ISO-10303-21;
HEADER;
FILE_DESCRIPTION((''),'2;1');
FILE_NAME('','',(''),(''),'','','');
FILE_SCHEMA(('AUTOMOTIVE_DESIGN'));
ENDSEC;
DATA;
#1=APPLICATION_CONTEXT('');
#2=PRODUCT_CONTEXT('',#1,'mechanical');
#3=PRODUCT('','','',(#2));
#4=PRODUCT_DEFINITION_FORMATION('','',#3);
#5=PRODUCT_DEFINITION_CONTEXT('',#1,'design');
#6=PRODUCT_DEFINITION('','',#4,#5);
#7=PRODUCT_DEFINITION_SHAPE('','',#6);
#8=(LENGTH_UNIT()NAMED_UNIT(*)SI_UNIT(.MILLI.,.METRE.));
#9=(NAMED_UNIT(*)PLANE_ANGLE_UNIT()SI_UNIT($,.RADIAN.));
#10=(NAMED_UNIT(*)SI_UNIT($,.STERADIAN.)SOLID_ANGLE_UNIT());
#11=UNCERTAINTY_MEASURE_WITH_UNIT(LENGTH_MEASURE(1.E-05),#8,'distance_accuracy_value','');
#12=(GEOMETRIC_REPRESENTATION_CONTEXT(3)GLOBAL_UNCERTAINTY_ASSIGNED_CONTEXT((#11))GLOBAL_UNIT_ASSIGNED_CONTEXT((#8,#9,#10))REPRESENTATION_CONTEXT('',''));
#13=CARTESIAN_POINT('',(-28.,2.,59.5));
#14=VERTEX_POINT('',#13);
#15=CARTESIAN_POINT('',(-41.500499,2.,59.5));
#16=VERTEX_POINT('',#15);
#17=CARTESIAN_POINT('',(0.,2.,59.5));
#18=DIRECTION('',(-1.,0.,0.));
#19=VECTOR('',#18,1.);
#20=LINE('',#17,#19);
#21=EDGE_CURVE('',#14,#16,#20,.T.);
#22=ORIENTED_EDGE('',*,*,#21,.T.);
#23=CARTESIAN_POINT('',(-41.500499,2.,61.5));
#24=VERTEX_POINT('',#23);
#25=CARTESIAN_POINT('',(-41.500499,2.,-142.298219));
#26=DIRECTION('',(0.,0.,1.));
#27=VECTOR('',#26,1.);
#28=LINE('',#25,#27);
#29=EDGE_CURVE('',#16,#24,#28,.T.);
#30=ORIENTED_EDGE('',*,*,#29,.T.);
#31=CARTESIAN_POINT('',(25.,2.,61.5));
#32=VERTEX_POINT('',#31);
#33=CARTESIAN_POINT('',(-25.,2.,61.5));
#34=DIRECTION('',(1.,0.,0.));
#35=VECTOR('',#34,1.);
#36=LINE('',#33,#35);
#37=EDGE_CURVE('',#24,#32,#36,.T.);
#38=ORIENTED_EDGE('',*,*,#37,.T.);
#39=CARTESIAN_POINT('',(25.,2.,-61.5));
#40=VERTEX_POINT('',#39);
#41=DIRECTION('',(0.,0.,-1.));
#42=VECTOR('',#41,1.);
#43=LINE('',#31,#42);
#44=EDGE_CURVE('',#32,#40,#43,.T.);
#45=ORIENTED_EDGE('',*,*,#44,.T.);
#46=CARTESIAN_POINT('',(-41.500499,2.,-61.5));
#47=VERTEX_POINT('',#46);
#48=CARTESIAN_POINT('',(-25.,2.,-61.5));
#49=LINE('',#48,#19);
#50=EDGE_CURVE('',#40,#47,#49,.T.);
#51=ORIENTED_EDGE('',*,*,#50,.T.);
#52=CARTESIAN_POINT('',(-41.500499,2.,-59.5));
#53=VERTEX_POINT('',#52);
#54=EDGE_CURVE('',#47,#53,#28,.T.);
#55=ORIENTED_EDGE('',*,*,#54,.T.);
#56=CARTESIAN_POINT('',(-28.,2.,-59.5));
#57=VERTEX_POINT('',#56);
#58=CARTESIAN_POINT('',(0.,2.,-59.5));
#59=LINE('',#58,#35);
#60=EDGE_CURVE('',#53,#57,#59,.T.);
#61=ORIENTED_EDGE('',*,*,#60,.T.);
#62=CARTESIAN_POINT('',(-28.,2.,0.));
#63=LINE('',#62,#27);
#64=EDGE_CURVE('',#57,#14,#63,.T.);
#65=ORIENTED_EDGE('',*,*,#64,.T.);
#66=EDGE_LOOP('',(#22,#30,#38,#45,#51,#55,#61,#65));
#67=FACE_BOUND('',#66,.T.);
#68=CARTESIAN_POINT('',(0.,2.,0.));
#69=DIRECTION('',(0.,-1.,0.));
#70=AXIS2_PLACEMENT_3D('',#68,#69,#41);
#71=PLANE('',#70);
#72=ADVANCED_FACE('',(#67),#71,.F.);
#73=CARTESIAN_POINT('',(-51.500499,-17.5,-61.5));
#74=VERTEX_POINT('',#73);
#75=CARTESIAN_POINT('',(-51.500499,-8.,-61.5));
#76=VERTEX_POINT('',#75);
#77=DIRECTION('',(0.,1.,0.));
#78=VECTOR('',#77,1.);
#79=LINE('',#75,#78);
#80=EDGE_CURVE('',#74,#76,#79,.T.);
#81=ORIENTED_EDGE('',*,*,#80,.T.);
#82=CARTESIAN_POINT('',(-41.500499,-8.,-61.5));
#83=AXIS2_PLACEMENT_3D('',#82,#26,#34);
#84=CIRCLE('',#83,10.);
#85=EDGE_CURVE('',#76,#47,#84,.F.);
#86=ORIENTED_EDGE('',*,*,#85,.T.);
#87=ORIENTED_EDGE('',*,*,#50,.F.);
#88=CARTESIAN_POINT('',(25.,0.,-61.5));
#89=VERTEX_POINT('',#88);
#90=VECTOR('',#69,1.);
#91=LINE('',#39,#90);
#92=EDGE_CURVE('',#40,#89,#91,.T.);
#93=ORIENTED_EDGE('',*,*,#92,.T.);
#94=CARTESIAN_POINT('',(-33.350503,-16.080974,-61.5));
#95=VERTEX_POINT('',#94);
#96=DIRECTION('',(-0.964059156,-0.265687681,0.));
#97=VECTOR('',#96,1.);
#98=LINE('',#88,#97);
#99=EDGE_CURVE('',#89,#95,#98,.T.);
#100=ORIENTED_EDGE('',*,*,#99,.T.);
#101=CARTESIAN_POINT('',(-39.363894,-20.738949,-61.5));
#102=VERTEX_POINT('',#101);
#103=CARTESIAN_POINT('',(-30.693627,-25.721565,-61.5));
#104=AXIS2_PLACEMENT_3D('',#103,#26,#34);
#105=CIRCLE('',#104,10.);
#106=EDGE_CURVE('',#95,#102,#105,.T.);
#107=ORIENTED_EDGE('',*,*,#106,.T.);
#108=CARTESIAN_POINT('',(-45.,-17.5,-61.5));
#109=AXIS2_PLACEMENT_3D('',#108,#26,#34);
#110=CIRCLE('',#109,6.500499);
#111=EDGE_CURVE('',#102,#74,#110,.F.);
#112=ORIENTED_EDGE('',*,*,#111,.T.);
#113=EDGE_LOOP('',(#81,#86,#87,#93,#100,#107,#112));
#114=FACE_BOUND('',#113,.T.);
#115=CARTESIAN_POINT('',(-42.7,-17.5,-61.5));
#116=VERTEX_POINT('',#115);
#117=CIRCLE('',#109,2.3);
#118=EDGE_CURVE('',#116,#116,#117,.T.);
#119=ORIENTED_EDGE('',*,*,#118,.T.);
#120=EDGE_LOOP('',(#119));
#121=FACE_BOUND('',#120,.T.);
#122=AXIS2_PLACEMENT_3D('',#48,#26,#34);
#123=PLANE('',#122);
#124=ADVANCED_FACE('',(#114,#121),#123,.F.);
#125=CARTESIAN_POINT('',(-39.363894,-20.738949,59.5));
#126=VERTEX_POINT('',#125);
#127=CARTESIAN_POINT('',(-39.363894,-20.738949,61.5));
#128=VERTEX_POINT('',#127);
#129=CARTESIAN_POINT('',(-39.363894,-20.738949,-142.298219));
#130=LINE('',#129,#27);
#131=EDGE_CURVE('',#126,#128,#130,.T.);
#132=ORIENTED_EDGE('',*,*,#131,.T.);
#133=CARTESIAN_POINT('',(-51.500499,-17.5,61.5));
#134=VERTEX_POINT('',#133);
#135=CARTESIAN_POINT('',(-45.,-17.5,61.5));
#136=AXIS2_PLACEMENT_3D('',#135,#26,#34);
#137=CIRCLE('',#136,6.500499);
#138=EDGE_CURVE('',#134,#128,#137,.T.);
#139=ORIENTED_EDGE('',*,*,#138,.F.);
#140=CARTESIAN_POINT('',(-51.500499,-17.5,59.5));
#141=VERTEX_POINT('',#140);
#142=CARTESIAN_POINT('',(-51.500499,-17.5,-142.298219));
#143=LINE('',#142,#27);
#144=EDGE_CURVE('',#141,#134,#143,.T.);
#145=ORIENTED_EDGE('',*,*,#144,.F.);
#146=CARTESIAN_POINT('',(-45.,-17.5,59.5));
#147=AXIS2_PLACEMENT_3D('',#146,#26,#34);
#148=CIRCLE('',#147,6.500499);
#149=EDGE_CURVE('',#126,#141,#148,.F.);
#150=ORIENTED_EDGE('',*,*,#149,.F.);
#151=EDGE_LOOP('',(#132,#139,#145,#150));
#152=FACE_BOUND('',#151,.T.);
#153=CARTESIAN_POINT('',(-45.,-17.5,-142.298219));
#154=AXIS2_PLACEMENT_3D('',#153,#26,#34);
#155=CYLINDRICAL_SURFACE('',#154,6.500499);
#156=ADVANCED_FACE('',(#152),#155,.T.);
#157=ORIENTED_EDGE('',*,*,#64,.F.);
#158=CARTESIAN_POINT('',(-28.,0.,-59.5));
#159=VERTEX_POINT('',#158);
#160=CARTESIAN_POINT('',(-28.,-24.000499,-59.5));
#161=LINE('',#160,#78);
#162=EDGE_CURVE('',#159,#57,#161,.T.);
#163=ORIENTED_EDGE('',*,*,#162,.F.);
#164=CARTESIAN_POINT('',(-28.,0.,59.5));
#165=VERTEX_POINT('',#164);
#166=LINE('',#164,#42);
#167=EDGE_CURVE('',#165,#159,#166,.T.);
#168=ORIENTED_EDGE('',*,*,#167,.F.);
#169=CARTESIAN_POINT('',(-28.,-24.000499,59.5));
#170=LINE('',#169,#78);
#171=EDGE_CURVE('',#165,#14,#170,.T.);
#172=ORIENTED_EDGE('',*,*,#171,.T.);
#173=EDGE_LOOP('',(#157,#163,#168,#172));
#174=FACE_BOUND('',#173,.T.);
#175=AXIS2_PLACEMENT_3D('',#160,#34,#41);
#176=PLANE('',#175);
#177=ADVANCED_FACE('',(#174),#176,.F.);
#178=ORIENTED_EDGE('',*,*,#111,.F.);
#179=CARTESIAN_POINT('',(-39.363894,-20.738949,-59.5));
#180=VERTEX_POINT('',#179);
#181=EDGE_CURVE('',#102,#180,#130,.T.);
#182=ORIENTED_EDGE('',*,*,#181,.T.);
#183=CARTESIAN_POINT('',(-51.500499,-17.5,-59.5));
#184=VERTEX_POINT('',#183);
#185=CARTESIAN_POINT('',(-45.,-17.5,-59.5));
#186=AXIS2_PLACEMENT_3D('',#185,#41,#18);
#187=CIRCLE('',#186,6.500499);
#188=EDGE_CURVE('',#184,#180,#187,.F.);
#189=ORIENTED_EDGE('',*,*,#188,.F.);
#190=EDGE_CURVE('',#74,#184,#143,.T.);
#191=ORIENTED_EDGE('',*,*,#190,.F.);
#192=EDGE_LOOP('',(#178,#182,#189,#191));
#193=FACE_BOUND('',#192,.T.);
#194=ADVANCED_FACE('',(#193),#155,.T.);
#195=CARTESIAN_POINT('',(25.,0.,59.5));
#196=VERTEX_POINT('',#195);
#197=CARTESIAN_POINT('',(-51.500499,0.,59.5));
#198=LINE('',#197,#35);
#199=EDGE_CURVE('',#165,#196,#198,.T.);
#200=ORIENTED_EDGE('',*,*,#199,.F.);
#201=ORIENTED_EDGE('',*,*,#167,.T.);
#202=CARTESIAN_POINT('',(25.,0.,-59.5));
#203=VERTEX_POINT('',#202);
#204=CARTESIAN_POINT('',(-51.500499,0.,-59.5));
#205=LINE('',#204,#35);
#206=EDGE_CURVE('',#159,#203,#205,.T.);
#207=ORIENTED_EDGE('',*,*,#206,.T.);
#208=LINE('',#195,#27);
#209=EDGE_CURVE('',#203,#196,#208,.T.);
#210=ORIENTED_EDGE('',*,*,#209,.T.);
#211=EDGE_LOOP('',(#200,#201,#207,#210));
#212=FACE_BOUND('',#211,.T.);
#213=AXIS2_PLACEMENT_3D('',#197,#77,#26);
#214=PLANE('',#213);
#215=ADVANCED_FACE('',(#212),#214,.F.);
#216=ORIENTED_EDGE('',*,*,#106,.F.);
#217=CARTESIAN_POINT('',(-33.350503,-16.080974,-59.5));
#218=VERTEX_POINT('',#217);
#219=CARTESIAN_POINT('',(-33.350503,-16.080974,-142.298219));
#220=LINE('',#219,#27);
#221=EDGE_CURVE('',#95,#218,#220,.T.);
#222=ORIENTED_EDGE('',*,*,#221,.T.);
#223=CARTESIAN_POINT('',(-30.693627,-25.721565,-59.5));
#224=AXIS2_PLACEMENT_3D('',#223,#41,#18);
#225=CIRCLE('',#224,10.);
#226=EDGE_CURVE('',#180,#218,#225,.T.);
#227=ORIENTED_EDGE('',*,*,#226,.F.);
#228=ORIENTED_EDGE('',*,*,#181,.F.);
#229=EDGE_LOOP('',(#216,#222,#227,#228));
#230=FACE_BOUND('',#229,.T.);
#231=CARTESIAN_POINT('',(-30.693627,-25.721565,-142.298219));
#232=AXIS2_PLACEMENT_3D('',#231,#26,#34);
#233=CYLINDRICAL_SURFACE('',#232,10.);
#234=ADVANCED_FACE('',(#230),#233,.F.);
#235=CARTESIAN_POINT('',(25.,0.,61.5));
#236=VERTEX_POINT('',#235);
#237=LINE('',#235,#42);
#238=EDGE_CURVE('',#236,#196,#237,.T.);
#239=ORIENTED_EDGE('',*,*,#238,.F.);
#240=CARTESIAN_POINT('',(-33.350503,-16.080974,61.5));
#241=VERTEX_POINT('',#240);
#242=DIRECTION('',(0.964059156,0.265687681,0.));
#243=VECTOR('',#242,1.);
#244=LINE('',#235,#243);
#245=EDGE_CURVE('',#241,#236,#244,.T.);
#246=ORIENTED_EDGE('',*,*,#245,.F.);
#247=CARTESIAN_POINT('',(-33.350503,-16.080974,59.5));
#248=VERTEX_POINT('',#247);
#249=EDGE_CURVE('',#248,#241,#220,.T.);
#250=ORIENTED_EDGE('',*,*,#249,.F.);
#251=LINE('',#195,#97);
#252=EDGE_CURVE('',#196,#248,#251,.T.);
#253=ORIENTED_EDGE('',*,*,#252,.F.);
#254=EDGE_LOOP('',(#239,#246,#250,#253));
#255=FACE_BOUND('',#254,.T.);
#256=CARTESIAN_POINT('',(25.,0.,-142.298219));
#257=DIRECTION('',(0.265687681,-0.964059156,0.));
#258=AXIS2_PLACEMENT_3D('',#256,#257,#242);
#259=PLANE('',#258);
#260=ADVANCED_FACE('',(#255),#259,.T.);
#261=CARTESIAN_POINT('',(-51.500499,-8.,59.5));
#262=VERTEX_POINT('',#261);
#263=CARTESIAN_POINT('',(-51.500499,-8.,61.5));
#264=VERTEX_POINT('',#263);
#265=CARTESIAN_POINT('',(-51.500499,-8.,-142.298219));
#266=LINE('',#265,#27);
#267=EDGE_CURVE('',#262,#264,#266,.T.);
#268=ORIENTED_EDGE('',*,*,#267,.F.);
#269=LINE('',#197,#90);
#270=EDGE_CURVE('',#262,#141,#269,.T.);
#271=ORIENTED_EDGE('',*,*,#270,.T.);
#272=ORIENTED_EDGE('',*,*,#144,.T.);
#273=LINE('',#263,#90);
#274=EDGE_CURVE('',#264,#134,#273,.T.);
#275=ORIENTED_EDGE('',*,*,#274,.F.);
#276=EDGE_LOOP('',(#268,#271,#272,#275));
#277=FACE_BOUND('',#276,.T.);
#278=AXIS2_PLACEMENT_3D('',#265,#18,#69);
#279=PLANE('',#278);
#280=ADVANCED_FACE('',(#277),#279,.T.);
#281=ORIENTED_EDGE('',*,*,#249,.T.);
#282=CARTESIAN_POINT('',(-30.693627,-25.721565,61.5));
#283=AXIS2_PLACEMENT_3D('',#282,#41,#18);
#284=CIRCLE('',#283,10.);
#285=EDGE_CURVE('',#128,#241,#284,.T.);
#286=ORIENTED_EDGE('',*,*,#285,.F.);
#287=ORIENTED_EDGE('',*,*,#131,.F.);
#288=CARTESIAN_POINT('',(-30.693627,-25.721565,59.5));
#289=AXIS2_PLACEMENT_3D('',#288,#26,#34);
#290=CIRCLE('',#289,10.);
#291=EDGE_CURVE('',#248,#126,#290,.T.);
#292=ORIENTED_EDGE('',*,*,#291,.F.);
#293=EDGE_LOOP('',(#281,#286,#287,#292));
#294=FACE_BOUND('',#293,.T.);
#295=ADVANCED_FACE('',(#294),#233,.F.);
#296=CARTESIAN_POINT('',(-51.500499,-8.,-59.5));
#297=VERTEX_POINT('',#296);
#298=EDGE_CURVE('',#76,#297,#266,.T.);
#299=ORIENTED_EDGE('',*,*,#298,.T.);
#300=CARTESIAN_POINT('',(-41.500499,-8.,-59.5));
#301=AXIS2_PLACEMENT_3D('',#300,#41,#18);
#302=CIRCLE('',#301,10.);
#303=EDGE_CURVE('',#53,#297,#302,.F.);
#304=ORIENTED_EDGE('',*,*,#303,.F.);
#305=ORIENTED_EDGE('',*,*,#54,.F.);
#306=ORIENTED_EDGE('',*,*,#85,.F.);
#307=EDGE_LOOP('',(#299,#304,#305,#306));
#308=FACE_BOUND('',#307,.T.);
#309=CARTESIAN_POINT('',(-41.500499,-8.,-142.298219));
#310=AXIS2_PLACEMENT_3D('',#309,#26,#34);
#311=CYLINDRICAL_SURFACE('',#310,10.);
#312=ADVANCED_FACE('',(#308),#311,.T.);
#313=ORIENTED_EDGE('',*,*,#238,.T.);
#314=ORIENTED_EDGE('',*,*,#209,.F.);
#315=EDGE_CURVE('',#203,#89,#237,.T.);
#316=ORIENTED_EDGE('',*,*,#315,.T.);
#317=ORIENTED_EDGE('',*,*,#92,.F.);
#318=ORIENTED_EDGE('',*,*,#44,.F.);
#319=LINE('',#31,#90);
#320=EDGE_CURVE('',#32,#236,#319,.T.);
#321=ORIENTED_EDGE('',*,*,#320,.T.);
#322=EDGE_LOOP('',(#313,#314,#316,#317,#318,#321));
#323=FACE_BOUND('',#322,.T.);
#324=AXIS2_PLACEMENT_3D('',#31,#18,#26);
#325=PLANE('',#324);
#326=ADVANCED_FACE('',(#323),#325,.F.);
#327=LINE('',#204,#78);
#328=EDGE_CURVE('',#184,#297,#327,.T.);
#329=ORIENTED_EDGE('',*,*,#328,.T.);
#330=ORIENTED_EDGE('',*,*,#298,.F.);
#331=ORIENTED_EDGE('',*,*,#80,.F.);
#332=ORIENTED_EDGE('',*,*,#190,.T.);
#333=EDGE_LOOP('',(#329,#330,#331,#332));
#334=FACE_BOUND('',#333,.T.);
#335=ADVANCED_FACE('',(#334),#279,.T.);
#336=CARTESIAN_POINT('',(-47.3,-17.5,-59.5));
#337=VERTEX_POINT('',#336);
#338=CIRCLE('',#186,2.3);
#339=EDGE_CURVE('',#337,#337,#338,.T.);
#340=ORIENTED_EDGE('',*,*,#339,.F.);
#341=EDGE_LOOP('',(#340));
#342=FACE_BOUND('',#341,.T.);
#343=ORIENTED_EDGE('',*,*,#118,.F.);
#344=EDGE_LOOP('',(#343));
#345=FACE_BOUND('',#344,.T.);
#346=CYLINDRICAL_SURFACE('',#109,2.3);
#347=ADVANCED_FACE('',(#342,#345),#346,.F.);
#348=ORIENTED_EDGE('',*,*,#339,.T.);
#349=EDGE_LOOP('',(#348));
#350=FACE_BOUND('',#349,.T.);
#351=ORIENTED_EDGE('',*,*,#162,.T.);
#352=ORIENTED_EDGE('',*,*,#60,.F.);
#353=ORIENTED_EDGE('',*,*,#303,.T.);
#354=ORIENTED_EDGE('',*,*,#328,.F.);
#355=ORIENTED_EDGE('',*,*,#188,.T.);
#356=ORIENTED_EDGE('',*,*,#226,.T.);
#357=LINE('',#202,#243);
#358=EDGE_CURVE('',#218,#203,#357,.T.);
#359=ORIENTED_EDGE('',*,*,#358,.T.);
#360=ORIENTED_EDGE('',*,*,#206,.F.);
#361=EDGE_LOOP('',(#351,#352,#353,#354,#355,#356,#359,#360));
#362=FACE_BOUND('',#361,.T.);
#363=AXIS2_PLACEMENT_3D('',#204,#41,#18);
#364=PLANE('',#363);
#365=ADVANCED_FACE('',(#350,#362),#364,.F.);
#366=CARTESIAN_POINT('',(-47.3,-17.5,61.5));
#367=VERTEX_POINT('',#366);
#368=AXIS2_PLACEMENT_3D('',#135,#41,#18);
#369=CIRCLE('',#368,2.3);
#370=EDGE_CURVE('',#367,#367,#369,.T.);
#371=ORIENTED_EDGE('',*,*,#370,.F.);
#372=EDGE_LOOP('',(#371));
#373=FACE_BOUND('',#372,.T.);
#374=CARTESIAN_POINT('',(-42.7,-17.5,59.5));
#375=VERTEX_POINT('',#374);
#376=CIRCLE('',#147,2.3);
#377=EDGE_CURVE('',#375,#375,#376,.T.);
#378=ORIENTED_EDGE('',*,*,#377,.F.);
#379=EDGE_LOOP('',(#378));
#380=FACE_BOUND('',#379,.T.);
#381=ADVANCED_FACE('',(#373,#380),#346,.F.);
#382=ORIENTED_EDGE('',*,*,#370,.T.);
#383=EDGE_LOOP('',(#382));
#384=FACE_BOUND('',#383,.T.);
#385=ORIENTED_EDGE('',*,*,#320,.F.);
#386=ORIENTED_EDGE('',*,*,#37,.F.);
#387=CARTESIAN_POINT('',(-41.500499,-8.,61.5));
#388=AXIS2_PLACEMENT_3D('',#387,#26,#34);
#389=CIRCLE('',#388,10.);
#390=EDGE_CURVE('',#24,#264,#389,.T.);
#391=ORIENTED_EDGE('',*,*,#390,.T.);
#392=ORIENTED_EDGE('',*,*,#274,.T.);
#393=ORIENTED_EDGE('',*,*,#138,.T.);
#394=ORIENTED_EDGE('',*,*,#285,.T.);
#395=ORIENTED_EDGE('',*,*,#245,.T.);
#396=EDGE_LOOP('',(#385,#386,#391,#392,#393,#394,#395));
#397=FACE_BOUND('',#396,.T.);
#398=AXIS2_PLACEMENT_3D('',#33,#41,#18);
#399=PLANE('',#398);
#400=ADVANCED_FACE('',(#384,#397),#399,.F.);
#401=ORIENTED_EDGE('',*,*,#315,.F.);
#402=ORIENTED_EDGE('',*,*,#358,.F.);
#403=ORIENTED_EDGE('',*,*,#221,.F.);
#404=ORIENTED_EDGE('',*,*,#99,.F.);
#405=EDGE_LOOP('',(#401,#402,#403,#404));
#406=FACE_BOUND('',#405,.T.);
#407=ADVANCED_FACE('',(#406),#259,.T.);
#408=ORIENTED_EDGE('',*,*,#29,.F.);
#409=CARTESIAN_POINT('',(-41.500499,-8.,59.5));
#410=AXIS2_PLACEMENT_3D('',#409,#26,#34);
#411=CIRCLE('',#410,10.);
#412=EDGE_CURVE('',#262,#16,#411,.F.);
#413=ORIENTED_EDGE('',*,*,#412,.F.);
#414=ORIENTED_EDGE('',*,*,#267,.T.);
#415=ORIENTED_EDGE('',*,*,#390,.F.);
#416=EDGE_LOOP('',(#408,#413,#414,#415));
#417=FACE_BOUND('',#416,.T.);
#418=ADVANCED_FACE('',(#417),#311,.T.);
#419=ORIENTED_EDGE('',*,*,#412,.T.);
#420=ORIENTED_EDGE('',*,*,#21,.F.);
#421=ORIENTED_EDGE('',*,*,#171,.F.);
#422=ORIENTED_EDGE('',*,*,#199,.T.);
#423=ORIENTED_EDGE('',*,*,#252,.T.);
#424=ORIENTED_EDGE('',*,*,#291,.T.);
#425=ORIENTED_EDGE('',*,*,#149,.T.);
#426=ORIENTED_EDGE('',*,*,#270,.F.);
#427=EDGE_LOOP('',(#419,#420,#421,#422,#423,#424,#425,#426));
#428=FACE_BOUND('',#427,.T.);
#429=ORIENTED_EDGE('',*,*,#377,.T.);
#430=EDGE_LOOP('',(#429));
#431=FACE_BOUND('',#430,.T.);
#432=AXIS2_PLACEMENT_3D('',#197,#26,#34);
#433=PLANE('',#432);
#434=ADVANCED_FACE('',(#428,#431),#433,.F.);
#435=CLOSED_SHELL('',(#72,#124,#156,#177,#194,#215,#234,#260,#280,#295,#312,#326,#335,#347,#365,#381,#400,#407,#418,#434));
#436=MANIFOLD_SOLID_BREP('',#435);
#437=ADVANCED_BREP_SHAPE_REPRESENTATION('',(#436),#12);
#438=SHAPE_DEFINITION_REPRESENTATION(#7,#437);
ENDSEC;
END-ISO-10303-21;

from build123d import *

# Parameters (mm, degrees)
SKETCH1_W               = 50
SKETCH1_H               = 123
BOSS_EXTRUDE1_DEPTH     = 2
BOSS_EXTRUDE2_DEPTH     = 123
CUT_EXTRUDE1_DEPTH      = 84.729178306
CUT_EXTRUDE1_DEPTH_BACK = 84.729178306
SKETCH3_W               = 119
SKETCH3_H               = 24.000498671
CUT_EXTRUDE2_DEPTH      = 85.324239069
CUT_EXTRUDE2_DEPTH_BACK = 85.324239069
SKETCH4_W               = 30.227049201
SKETCH4_H               = 119
CUT_EXTRUDE3_DEPTH      = 136.489207319
CUT_EXTRUDE3_DEPTH_BACK = 136.489207319
SKETCH5_R               = 2.3


with BuildPart() as part:
    # Sketch1 → Boss-Extrude1 (new body)
    with BuildSketch(Plane(origin=(0, 0, 0), x_dir=(1, 0, 0), z_dir=(0, 1, 0))):
        Rectangle(SKETCH1_W, SKETCH1_H)
    extrude(amount=BOSS_EXTRUDE1_DEPTH)

    # Sketch2 → Boss-Extrude2 (add)
    with BuildSketch(Plane.XY.offset(61.5)):
        with BuildLine():
            Line((-41.500498671, 2), (25, 2))
            Line((25, 2), (25, 0))
            Line((25, 0), (-33.350503344, -16.080973663))
            ThreePointArc((-33.350503344, -16.080973663), (-36.817369851, -17.815885758), (-39.363893872, -20.738949009))
            ThreePointArc((-39.363893872, -20.738949009), (-46.676153718, -23.780684014), (-51.500498671, -17.5))
            Line((-51.500498671, -17.5), (-51.500498671, -8))
            ThreePointArc((-51.500498671, -8), (-48.571566483, -0.928932188), (-41.500498671, 2))
        make_face()
    extrude(amount=-BOSS_EXTRUDE2_DEPTH)

    # Sketch3 → Cut-Extrude1 (cut, two sides: drawn at the far end of the back side and taken through both)
    with BuildSketch(Plane(origin=(0, 0, 0), x_dir=(0, 0, -1), z_dir=(1, 0, 0)).offset(-CUT_EXTRUDE1_DEPTH_BACK)):
        with Locations((0, -12.000249336)):
            Rectangle(SKETCH3_W, SKETCH3_H)
    extrude(amount=CUT_EXTRUDE1_DEPTH + CUT_EXTRUDE1_DEPTH_BACK, mode=Mode.SUBTRACT)

    # Sketch4 → Cut-Extrude2 (cut, two sides: drawn at the far end of the back side and taken through both)
    with BuildSketch(Plane(origin=(0, 2, 0), x_dir=(1, 0, 0), z_dir=(0, 1, 0)).offset(-CUT_EXTRUDE2_DEPTH_BACK)):
        with Locations((-43.1135246, 0)):
            Rectangle(SKETCH4_W, SKETCH4_H)
    extrude(amount=CUT_EXTRUDE2_DEPTH + CUT_EXTRUDE2_DEPTH_BACK, mode=Mode.SUBTRACT)

    # Sketch5 → Cut-Extrude3 (cut, two sides: drawn at the far end of the back side and taken through both)
    with BuildSketch(Plane.XY.offset(61.5).offset(-CUT_EXTRUDE3_DEPTH_BACK)):
        with Locations((-45, -17.5)):
            Circle(SKETCH5_R)
    extrude(amount=CUT_EXTRUDE3_DEPTH + CUT_EXTRUDE3_DEPTH_BACK, mode=Mode.SUBTRACT)


solid = part.part
